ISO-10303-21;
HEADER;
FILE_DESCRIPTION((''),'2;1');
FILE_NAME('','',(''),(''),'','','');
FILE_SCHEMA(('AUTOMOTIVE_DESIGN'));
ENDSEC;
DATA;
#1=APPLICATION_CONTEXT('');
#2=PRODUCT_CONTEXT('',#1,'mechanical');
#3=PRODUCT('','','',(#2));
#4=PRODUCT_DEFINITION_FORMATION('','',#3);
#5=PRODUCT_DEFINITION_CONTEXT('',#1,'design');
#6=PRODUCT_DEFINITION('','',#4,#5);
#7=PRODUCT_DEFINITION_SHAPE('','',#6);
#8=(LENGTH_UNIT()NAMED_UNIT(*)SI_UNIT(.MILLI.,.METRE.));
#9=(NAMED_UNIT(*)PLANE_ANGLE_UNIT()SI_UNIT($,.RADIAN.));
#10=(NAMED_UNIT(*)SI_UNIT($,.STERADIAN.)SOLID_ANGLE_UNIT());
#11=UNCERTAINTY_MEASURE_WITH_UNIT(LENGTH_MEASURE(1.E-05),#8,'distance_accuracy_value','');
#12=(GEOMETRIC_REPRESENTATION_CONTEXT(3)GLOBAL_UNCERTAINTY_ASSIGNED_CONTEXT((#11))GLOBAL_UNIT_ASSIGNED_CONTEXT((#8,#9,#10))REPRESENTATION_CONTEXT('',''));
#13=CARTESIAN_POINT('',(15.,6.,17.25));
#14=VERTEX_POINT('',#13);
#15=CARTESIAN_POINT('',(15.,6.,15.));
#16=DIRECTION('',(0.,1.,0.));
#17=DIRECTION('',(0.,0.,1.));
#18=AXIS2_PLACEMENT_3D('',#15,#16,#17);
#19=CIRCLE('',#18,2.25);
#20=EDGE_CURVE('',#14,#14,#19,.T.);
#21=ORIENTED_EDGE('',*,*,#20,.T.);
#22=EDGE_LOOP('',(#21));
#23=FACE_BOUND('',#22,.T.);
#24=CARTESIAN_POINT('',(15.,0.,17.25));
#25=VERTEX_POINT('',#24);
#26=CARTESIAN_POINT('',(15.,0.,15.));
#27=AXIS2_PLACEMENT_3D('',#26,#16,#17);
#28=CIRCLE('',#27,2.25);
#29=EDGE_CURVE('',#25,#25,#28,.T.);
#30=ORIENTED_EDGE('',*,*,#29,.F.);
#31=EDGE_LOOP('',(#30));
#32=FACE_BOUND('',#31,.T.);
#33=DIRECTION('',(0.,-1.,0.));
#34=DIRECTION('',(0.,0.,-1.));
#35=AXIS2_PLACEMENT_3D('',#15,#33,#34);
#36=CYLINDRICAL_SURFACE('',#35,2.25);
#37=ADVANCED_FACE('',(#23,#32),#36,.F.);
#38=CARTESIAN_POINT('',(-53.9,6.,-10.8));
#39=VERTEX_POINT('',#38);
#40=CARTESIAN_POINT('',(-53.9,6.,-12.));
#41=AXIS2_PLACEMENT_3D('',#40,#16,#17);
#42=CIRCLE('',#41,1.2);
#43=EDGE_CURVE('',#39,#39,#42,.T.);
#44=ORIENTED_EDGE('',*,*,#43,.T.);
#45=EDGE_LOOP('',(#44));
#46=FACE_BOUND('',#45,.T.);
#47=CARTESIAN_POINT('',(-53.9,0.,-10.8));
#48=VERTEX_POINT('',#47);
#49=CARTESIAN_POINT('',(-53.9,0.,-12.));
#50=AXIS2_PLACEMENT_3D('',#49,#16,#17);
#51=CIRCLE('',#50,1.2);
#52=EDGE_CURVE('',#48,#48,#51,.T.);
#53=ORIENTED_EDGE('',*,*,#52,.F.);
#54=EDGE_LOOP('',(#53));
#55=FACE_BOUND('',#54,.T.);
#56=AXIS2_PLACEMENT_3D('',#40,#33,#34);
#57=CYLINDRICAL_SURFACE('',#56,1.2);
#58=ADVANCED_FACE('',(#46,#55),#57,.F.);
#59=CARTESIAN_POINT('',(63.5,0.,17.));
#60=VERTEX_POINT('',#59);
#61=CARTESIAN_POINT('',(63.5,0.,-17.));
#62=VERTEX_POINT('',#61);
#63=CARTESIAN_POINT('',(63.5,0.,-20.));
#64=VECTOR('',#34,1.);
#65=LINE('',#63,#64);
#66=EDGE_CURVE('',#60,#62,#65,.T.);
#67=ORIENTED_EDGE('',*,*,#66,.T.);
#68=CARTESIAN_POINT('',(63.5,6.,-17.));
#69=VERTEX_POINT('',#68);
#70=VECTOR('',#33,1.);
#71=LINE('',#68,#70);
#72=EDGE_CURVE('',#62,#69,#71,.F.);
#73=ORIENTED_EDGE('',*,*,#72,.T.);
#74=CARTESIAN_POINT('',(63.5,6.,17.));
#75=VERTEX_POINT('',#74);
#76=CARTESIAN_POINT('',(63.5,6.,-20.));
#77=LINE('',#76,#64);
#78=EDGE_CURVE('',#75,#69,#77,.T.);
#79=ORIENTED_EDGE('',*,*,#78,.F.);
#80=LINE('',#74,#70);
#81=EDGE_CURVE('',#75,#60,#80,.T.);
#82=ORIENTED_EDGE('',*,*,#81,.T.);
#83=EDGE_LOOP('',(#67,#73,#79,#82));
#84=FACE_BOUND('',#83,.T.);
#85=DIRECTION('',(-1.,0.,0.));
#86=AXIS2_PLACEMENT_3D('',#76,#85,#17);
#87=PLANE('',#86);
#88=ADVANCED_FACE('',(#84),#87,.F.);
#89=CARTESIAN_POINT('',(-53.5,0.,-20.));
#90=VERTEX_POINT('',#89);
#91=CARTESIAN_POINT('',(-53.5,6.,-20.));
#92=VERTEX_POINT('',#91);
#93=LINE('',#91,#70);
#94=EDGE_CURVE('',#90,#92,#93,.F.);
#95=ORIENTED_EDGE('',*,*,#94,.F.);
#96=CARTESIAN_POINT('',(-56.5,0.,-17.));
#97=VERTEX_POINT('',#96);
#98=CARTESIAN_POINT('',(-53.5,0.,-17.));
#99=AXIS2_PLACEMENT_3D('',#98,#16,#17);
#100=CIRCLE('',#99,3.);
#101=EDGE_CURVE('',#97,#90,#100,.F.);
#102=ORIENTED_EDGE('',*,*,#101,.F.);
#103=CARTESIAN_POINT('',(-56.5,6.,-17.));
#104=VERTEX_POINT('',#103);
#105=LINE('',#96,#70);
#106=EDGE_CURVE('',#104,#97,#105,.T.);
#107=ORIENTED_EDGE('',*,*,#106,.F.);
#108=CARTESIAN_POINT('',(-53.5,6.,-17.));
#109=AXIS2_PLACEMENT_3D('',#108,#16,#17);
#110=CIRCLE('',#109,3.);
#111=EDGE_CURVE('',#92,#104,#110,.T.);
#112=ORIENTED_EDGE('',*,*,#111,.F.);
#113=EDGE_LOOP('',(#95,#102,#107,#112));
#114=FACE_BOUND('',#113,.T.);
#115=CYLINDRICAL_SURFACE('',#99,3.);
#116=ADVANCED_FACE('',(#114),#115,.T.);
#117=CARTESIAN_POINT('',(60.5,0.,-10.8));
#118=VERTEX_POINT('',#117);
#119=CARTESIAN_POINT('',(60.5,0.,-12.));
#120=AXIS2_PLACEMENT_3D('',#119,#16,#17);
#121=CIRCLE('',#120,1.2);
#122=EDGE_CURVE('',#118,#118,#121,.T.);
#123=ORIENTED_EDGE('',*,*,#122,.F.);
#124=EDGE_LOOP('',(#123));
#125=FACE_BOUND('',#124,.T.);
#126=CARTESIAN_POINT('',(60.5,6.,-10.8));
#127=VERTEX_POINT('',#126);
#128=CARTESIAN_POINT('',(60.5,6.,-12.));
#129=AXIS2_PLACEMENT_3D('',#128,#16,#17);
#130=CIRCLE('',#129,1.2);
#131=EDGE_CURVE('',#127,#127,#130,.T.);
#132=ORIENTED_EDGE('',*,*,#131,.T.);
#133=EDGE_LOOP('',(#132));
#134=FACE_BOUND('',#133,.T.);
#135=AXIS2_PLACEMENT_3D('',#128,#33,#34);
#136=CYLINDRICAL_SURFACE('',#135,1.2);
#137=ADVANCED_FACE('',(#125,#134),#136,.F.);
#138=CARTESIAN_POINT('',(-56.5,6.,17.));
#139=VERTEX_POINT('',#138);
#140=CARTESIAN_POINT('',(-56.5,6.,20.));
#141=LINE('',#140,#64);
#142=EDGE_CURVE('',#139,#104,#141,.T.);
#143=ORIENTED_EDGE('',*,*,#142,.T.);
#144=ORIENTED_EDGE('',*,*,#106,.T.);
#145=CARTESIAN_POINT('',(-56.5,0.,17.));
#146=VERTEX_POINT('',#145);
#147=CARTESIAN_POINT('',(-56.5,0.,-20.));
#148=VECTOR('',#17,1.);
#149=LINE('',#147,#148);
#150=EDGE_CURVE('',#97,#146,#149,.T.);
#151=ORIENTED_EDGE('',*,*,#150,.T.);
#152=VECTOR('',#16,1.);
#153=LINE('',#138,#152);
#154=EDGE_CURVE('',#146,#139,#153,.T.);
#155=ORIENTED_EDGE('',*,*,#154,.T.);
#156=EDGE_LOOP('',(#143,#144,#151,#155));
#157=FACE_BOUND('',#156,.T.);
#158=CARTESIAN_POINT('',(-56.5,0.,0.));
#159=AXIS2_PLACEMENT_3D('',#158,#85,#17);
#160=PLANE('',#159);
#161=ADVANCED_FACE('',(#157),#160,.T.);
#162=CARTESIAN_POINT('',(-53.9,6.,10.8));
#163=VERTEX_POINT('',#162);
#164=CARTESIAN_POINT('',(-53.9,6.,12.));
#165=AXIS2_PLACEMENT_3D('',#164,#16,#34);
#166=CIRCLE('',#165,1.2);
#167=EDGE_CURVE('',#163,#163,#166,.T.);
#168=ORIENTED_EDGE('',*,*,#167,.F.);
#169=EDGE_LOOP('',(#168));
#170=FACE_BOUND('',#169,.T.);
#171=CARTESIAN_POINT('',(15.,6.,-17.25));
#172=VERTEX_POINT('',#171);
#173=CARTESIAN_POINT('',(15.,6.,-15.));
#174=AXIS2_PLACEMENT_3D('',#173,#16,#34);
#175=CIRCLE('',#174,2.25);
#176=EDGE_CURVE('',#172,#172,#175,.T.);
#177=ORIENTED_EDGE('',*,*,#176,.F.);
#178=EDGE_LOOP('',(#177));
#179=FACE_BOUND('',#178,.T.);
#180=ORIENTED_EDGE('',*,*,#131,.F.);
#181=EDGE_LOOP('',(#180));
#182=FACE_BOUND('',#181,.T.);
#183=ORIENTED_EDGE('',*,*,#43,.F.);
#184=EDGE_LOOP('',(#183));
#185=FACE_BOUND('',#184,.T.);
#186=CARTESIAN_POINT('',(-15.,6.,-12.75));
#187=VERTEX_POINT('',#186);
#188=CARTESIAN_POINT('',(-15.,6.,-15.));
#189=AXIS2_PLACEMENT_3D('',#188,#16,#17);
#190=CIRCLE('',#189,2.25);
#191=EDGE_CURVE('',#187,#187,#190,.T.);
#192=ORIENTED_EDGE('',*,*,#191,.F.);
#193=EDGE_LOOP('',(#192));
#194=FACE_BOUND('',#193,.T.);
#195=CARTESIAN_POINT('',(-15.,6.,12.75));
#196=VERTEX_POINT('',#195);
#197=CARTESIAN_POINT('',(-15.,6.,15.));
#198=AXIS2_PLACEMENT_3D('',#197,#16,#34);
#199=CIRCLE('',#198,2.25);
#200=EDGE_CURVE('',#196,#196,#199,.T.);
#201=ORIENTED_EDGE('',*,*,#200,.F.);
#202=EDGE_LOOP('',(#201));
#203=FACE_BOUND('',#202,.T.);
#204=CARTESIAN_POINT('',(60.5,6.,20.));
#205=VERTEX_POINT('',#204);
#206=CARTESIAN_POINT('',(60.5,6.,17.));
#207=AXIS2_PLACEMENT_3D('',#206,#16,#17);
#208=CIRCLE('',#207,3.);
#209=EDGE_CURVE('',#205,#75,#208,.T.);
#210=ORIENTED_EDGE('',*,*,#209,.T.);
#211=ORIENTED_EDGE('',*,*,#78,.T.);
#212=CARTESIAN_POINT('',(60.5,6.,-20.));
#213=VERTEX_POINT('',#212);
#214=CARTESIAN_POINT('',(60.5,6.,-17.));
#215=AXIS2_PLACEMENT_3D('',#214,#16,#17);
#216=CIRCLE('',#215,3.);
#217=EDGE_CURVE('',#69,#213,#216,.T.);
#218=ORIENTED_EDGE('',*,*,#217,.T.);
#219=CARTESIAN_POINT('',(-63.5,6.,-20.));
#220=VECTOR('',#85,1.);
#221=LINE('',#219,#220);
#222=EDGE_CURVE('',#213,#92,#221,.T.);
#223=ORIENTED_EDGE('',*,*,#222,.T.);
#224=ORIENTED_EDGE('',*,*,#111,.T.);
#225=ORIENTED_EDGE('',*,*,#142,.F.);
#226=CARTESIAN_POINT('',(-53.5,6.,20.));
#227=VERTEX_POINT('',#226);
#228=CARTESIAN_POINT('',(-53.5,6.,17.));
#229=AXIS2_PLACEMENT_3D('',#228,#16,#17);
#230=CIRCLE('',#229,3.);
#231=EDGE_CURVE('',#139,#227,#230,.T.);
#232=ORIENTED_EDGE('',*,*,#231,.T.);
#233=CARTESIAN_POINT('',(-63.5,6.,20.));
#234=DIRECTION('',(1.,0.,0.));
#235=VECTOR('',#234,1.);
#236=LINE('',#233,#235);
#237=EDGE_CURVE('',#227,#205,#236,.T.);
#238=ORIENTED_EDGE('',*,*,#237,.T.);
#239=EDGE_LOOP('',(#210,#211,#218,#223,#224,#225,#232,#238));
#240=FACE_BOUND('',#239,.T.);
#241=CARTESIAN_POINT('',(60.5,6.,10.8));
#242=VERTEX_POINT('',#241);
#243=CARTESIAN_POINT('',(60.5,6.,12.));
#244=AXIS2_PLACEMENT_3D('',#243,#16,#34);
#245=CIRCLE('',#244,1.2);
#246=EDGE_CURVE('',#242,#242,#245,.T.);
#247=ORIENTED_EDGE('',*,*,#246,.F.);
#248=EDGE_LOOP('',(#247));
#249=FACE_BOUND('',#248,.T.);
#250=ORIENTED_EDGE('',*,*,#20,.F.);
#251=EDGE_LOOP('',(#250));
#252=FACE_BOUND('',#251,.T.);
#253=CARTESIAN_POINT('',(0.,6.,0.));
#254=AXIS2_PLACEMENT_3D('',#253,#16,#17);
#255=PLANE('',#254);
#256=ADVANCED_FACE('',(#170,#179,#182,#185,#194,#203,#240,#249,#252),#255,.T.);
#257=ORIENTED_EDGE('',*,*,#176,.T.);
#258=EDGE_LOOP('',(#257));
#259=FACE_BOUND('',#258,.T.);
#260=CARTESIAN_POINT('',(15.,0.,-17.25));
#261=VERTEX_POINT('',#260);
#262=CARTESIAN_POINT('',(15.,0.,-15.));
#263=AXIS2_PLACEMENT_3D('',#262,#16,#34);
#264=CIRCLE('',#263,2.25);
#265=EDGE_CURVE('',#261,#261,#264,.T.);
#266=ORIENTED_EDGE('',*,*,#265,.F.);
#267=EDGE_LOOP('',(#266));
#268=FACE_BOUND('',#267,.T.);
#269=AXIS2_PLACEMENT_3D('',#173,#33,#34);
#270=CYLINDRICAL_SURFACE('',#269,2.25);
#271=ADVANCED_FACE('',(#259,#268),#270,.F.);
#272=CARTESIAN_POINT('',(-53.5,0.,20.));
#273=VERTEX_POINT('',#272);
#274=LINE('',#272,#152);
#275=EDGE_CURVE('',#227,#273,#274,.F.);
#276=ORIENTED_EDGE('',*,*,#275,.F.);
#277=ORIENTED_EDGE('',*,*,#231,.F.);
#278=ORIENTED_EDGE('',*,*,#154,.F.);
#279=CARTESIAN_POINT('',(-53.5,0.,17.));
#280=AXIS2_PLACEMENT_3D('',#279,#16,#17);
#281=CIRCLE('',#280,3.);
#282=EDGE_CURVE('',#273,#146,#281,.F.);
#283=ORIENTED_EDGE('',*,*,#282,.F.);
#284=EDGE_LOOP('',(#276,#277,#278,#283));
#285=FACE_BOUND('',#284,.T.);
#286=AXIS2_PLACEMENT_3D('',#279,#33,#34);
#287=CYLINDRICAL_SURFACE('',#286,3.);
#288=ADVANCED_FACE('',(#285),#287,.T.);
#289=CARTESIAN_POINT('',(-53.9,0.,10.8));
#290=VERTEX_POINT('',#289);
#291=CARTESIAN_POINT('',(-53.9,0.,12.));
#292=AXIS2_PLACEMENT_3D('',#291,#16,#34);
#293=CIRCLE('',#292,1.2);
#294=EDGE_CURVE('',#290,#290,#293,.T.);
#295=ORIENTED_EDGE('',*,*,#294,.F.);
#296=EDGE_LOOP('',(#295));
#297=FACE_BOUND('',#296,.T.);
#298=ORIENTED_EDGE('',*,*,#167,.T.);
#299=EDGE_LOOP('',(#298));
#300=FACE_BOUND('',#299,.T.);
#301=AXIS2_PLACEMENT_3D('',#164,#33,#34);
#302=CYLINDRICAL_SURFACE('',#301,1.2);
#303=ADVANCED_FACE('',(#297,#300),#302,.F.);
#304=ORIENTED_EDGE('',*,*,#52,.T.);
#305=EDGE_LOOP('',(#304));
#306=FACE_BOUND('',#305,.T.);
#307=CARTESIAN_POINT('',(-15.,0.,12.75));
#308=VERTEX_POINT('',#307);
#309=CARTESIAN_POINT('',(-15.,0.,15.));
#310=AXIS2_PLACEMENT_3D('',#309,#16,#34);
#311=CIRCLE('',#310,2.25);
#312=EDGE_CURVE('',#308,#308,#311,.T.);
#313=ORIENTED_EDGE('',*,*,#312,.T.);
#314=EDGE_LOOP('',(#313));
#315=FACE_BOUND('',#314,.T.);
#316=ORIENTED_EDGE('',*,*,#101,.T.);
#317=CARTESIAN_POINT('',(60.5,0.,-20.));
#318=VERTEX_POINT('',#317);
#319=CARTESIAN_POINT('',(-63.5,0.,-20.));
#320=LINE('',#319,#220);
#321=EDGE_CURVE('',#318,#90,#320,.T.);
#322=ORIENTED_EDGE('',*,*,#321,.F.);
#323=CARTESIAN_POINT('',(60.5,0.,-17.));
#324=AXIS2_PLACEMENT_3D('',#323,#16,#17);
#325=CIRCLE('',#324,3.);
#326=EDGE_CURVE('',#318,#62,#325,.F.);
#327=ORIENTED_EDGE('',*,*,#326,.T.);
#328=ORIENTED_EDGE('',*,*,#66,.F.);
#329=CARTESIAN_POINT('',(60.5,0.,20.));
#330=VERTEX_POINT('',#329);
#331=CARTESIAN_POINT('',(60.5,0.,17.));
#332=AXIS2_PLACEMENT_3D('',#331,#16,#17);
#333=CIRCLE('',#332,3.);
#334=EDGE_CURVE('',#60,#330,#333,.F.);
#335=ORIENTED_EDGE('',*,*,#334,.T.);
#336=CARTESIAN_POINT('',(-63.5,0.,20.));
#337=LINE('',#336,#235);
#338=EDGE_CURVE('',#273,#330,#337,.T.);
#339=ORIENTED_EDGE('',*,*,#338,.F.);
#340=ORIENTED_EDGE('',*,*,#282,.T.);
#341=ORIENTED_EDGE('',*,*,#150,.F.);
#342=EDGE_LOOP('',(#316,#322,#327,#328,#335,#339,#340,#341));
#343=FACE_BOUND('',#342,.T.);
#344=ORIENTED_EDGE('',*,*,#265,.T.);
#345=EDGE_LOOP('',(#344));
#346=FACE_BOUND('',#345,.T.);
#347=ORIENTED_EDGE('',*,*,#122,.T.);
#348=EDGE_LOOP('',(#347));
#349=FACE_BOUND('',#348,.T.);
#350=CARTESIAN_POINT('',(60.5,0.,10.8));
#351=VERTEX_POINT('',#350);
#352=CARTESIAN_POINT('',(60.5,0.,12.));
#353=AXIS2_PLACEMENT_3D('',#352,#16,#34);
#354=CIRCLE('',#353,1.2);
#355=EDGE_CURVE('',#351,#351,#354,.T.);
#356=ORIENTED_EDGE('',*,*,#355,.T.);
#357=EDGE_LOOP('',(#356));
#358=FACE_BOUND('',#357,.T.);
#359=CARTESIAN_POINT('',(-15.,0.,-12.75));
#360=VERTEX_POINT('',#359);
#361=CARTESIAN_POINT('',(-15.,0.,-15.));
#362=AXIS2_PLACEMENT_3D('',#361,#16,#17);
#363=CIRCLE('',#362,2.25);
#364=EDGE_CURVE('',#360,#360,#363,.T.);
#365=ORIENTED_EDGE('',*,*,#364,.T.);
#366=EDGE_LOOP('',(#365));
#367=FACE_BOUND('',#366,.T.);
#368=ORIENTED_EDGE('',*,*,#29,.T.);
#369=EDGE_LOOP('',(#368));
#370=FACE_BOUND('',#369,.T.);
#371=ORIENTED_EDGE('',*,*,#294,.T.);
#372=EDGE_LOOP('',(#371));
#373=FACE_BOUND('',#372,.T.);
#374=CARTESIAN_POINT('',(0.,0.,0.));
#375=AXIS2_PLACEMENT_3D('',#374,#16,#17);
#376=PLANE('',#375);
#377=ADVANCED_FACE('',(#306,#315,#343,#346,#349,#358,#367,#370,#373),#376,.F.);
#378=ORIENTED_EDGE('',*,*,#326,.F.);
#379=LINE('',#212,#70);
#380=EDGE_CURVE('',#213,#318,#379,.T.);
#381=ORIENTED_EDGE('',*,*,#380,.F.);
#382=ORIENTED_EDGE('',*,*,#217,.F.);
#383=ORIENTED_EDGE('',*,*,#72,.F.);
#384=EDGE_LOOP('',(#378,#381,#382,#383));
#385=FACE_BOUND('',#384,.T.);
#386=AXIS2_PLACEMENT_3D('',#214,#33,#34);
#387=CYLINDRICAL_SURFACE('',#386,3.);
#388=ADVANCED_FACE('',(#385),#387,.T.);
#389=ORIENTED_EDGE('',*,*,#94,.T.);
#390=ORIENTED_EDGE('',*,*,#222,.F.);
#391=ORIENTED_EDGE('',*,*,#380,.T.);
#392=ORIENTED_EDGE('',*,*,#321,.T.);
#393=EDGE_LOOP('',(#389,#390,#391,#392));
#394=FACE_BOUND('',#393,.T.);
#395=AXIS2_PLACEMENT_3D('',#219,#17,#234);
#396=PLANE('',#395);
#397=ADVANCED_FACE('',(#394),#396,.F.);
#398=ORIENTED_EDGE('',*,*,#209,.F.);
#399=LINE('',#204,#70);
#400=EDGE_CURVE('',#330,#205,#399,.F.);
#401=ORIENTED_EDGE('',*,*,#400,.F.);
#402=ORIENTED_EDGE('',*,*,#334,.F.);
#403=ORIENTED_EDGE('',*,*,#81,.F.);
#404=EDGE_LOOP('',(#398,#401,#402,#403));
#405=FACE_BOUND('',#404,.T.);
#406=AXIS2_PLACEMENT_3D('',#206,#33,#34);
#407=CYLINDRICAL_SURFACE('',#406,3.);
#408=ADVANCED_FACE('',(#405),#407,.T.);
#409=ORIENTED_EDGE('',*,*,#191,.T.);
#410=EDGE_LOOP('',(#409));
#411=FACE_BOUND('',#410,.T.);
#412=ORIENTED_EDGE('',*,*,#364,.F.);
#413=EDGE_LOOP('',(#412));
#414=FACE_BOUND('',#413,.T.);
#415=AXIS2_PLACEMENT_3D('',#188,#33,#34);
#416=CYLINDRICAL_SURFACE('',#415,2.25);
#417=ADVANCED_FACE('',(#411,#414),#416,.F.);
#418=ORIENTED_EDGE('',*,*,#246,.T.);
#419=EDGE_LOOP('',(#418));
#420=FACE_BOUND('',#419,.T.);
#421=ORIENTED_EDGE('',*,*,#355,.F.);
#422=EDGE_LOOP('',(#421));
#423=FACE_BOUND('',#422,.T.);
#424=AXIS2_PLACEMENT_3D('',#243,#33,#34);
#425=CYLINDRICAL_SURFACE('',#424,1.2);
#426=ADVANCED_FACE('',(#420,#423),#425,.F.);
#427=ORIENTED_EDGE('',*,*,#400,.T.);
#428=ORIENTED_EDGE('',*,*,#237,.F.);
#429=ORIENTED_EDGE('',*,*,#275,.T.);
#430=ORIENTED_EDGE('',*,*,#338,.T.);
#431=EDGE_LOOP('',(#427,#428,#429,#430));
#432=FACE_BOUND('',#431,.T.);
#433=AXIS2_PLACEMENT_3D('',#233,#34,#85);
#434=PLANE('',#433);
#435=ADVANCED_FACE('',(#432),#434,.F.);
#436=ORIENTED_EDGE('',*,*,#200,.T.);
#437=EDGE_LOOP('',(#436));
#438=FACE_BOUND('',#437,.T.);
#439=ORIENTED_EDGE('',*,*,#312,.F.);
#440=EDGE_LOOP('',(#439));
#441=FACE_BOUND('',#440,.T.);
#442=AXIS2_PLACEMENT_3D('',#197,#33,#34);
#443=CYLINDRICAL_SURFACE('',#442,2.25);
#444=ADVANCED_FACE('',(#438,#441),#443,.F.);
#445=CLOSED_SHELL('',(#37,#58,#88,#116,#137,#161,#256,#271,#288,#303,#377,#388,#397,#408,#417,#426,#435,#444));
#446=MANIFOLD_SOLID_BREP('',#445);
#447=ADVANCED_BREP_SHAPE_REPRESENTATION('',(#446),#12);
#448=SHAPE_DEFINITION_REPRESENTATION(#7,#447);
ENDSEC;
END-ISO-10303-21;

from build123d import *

# Parameters (mm, degrees)
SKETCH1_W           = 127
SKETCH1_H           = 40
SKETCH1_R           = 1.2
SKETCH1_R_2         = 2.25
BOSS_EXTRUDE1_DEPTH = 6
SKETCH2_W           = 40
SKETCH2_H           = 6
CUT_EXTRUDE1_DEPTH  = 7
FILLET1_R           = 3


with BuildPart() as part:
    # Sketch1 → Boss-Extrude1 (new body)
    with BuildSketch(Plane(origin=(0, 0, 0), x_dir=(1, 0, 0), z_dir=(0, 1, 0))):
        Rectangle(SKETCH1_W, SKETCH1_H)
        with Locations(Location((60.5, 12, 0), (0, 0, 270))):
            Circle(SKETCH1_R, mode=Mode.SUBTRACT)
        with Locations(Location((-53.9, 12, 0), (0, 0, 270))):
            Circle(SKETCH1_R, mode=Mode.SUBTRACT)
        with Locations(Location((-15, 15, 0), (0, 0, 270))):
            Circle(SKETCH1_R_2, mode=Mode.SUBTRACT)
        with Locations(Location((15, 15, 0), (0, 0, 90))):
            Circle(SKETCH1_R_2, mode=Mode.SUBTRACT)
        with Locations(Location((60.5, -12, 0), (0, 0, 90))):
            Circle(SKETCH1_R, mode=Mode.SUBTRACT)
        with Locations(Location((15, -15, 0), (0, 0, 270))):
            Circle(SKETCH1_R_2, mode=Mode.SUBTRACT)
        with Locations(Location((-15, -15, 0), (0, 0, 90))):
            Circle(SKETCH1_R_2, mode=Mode.SUBTRACT)
        with Locations(Location((-53.9, -12, 0), (0, 0, 90))):
            Circle(SKETCH1_R, mode=Mode.SUBTRACT)
    extrude(amount=BOSS_EXTRUDE1_DEPTH)

    # Sketch2 → Cut-Extrude1 (cut)
    with BuildSketch(Plane.ZY.offset(63.5)):
        with Locations((0, 3)):
            Rectangle(SKETCH2_W, SKETCH2_H)
    extrude(amount=-CUT_EXTRUDE1_DEPTH, mode=Mode.SUBTRACT)

    # Fillet1
    fillet1_edges = [part.edges().sort_by_distance(p)[0] for p in [
        (-56.5, 3, -20),
        (-56.5, 3, 20),
        (63.5, 3, 20),
        (63.5, 3, -20),
    ]]
    fillet(fillet1_edges, radius=FILLET1_R)


solid = part.part
